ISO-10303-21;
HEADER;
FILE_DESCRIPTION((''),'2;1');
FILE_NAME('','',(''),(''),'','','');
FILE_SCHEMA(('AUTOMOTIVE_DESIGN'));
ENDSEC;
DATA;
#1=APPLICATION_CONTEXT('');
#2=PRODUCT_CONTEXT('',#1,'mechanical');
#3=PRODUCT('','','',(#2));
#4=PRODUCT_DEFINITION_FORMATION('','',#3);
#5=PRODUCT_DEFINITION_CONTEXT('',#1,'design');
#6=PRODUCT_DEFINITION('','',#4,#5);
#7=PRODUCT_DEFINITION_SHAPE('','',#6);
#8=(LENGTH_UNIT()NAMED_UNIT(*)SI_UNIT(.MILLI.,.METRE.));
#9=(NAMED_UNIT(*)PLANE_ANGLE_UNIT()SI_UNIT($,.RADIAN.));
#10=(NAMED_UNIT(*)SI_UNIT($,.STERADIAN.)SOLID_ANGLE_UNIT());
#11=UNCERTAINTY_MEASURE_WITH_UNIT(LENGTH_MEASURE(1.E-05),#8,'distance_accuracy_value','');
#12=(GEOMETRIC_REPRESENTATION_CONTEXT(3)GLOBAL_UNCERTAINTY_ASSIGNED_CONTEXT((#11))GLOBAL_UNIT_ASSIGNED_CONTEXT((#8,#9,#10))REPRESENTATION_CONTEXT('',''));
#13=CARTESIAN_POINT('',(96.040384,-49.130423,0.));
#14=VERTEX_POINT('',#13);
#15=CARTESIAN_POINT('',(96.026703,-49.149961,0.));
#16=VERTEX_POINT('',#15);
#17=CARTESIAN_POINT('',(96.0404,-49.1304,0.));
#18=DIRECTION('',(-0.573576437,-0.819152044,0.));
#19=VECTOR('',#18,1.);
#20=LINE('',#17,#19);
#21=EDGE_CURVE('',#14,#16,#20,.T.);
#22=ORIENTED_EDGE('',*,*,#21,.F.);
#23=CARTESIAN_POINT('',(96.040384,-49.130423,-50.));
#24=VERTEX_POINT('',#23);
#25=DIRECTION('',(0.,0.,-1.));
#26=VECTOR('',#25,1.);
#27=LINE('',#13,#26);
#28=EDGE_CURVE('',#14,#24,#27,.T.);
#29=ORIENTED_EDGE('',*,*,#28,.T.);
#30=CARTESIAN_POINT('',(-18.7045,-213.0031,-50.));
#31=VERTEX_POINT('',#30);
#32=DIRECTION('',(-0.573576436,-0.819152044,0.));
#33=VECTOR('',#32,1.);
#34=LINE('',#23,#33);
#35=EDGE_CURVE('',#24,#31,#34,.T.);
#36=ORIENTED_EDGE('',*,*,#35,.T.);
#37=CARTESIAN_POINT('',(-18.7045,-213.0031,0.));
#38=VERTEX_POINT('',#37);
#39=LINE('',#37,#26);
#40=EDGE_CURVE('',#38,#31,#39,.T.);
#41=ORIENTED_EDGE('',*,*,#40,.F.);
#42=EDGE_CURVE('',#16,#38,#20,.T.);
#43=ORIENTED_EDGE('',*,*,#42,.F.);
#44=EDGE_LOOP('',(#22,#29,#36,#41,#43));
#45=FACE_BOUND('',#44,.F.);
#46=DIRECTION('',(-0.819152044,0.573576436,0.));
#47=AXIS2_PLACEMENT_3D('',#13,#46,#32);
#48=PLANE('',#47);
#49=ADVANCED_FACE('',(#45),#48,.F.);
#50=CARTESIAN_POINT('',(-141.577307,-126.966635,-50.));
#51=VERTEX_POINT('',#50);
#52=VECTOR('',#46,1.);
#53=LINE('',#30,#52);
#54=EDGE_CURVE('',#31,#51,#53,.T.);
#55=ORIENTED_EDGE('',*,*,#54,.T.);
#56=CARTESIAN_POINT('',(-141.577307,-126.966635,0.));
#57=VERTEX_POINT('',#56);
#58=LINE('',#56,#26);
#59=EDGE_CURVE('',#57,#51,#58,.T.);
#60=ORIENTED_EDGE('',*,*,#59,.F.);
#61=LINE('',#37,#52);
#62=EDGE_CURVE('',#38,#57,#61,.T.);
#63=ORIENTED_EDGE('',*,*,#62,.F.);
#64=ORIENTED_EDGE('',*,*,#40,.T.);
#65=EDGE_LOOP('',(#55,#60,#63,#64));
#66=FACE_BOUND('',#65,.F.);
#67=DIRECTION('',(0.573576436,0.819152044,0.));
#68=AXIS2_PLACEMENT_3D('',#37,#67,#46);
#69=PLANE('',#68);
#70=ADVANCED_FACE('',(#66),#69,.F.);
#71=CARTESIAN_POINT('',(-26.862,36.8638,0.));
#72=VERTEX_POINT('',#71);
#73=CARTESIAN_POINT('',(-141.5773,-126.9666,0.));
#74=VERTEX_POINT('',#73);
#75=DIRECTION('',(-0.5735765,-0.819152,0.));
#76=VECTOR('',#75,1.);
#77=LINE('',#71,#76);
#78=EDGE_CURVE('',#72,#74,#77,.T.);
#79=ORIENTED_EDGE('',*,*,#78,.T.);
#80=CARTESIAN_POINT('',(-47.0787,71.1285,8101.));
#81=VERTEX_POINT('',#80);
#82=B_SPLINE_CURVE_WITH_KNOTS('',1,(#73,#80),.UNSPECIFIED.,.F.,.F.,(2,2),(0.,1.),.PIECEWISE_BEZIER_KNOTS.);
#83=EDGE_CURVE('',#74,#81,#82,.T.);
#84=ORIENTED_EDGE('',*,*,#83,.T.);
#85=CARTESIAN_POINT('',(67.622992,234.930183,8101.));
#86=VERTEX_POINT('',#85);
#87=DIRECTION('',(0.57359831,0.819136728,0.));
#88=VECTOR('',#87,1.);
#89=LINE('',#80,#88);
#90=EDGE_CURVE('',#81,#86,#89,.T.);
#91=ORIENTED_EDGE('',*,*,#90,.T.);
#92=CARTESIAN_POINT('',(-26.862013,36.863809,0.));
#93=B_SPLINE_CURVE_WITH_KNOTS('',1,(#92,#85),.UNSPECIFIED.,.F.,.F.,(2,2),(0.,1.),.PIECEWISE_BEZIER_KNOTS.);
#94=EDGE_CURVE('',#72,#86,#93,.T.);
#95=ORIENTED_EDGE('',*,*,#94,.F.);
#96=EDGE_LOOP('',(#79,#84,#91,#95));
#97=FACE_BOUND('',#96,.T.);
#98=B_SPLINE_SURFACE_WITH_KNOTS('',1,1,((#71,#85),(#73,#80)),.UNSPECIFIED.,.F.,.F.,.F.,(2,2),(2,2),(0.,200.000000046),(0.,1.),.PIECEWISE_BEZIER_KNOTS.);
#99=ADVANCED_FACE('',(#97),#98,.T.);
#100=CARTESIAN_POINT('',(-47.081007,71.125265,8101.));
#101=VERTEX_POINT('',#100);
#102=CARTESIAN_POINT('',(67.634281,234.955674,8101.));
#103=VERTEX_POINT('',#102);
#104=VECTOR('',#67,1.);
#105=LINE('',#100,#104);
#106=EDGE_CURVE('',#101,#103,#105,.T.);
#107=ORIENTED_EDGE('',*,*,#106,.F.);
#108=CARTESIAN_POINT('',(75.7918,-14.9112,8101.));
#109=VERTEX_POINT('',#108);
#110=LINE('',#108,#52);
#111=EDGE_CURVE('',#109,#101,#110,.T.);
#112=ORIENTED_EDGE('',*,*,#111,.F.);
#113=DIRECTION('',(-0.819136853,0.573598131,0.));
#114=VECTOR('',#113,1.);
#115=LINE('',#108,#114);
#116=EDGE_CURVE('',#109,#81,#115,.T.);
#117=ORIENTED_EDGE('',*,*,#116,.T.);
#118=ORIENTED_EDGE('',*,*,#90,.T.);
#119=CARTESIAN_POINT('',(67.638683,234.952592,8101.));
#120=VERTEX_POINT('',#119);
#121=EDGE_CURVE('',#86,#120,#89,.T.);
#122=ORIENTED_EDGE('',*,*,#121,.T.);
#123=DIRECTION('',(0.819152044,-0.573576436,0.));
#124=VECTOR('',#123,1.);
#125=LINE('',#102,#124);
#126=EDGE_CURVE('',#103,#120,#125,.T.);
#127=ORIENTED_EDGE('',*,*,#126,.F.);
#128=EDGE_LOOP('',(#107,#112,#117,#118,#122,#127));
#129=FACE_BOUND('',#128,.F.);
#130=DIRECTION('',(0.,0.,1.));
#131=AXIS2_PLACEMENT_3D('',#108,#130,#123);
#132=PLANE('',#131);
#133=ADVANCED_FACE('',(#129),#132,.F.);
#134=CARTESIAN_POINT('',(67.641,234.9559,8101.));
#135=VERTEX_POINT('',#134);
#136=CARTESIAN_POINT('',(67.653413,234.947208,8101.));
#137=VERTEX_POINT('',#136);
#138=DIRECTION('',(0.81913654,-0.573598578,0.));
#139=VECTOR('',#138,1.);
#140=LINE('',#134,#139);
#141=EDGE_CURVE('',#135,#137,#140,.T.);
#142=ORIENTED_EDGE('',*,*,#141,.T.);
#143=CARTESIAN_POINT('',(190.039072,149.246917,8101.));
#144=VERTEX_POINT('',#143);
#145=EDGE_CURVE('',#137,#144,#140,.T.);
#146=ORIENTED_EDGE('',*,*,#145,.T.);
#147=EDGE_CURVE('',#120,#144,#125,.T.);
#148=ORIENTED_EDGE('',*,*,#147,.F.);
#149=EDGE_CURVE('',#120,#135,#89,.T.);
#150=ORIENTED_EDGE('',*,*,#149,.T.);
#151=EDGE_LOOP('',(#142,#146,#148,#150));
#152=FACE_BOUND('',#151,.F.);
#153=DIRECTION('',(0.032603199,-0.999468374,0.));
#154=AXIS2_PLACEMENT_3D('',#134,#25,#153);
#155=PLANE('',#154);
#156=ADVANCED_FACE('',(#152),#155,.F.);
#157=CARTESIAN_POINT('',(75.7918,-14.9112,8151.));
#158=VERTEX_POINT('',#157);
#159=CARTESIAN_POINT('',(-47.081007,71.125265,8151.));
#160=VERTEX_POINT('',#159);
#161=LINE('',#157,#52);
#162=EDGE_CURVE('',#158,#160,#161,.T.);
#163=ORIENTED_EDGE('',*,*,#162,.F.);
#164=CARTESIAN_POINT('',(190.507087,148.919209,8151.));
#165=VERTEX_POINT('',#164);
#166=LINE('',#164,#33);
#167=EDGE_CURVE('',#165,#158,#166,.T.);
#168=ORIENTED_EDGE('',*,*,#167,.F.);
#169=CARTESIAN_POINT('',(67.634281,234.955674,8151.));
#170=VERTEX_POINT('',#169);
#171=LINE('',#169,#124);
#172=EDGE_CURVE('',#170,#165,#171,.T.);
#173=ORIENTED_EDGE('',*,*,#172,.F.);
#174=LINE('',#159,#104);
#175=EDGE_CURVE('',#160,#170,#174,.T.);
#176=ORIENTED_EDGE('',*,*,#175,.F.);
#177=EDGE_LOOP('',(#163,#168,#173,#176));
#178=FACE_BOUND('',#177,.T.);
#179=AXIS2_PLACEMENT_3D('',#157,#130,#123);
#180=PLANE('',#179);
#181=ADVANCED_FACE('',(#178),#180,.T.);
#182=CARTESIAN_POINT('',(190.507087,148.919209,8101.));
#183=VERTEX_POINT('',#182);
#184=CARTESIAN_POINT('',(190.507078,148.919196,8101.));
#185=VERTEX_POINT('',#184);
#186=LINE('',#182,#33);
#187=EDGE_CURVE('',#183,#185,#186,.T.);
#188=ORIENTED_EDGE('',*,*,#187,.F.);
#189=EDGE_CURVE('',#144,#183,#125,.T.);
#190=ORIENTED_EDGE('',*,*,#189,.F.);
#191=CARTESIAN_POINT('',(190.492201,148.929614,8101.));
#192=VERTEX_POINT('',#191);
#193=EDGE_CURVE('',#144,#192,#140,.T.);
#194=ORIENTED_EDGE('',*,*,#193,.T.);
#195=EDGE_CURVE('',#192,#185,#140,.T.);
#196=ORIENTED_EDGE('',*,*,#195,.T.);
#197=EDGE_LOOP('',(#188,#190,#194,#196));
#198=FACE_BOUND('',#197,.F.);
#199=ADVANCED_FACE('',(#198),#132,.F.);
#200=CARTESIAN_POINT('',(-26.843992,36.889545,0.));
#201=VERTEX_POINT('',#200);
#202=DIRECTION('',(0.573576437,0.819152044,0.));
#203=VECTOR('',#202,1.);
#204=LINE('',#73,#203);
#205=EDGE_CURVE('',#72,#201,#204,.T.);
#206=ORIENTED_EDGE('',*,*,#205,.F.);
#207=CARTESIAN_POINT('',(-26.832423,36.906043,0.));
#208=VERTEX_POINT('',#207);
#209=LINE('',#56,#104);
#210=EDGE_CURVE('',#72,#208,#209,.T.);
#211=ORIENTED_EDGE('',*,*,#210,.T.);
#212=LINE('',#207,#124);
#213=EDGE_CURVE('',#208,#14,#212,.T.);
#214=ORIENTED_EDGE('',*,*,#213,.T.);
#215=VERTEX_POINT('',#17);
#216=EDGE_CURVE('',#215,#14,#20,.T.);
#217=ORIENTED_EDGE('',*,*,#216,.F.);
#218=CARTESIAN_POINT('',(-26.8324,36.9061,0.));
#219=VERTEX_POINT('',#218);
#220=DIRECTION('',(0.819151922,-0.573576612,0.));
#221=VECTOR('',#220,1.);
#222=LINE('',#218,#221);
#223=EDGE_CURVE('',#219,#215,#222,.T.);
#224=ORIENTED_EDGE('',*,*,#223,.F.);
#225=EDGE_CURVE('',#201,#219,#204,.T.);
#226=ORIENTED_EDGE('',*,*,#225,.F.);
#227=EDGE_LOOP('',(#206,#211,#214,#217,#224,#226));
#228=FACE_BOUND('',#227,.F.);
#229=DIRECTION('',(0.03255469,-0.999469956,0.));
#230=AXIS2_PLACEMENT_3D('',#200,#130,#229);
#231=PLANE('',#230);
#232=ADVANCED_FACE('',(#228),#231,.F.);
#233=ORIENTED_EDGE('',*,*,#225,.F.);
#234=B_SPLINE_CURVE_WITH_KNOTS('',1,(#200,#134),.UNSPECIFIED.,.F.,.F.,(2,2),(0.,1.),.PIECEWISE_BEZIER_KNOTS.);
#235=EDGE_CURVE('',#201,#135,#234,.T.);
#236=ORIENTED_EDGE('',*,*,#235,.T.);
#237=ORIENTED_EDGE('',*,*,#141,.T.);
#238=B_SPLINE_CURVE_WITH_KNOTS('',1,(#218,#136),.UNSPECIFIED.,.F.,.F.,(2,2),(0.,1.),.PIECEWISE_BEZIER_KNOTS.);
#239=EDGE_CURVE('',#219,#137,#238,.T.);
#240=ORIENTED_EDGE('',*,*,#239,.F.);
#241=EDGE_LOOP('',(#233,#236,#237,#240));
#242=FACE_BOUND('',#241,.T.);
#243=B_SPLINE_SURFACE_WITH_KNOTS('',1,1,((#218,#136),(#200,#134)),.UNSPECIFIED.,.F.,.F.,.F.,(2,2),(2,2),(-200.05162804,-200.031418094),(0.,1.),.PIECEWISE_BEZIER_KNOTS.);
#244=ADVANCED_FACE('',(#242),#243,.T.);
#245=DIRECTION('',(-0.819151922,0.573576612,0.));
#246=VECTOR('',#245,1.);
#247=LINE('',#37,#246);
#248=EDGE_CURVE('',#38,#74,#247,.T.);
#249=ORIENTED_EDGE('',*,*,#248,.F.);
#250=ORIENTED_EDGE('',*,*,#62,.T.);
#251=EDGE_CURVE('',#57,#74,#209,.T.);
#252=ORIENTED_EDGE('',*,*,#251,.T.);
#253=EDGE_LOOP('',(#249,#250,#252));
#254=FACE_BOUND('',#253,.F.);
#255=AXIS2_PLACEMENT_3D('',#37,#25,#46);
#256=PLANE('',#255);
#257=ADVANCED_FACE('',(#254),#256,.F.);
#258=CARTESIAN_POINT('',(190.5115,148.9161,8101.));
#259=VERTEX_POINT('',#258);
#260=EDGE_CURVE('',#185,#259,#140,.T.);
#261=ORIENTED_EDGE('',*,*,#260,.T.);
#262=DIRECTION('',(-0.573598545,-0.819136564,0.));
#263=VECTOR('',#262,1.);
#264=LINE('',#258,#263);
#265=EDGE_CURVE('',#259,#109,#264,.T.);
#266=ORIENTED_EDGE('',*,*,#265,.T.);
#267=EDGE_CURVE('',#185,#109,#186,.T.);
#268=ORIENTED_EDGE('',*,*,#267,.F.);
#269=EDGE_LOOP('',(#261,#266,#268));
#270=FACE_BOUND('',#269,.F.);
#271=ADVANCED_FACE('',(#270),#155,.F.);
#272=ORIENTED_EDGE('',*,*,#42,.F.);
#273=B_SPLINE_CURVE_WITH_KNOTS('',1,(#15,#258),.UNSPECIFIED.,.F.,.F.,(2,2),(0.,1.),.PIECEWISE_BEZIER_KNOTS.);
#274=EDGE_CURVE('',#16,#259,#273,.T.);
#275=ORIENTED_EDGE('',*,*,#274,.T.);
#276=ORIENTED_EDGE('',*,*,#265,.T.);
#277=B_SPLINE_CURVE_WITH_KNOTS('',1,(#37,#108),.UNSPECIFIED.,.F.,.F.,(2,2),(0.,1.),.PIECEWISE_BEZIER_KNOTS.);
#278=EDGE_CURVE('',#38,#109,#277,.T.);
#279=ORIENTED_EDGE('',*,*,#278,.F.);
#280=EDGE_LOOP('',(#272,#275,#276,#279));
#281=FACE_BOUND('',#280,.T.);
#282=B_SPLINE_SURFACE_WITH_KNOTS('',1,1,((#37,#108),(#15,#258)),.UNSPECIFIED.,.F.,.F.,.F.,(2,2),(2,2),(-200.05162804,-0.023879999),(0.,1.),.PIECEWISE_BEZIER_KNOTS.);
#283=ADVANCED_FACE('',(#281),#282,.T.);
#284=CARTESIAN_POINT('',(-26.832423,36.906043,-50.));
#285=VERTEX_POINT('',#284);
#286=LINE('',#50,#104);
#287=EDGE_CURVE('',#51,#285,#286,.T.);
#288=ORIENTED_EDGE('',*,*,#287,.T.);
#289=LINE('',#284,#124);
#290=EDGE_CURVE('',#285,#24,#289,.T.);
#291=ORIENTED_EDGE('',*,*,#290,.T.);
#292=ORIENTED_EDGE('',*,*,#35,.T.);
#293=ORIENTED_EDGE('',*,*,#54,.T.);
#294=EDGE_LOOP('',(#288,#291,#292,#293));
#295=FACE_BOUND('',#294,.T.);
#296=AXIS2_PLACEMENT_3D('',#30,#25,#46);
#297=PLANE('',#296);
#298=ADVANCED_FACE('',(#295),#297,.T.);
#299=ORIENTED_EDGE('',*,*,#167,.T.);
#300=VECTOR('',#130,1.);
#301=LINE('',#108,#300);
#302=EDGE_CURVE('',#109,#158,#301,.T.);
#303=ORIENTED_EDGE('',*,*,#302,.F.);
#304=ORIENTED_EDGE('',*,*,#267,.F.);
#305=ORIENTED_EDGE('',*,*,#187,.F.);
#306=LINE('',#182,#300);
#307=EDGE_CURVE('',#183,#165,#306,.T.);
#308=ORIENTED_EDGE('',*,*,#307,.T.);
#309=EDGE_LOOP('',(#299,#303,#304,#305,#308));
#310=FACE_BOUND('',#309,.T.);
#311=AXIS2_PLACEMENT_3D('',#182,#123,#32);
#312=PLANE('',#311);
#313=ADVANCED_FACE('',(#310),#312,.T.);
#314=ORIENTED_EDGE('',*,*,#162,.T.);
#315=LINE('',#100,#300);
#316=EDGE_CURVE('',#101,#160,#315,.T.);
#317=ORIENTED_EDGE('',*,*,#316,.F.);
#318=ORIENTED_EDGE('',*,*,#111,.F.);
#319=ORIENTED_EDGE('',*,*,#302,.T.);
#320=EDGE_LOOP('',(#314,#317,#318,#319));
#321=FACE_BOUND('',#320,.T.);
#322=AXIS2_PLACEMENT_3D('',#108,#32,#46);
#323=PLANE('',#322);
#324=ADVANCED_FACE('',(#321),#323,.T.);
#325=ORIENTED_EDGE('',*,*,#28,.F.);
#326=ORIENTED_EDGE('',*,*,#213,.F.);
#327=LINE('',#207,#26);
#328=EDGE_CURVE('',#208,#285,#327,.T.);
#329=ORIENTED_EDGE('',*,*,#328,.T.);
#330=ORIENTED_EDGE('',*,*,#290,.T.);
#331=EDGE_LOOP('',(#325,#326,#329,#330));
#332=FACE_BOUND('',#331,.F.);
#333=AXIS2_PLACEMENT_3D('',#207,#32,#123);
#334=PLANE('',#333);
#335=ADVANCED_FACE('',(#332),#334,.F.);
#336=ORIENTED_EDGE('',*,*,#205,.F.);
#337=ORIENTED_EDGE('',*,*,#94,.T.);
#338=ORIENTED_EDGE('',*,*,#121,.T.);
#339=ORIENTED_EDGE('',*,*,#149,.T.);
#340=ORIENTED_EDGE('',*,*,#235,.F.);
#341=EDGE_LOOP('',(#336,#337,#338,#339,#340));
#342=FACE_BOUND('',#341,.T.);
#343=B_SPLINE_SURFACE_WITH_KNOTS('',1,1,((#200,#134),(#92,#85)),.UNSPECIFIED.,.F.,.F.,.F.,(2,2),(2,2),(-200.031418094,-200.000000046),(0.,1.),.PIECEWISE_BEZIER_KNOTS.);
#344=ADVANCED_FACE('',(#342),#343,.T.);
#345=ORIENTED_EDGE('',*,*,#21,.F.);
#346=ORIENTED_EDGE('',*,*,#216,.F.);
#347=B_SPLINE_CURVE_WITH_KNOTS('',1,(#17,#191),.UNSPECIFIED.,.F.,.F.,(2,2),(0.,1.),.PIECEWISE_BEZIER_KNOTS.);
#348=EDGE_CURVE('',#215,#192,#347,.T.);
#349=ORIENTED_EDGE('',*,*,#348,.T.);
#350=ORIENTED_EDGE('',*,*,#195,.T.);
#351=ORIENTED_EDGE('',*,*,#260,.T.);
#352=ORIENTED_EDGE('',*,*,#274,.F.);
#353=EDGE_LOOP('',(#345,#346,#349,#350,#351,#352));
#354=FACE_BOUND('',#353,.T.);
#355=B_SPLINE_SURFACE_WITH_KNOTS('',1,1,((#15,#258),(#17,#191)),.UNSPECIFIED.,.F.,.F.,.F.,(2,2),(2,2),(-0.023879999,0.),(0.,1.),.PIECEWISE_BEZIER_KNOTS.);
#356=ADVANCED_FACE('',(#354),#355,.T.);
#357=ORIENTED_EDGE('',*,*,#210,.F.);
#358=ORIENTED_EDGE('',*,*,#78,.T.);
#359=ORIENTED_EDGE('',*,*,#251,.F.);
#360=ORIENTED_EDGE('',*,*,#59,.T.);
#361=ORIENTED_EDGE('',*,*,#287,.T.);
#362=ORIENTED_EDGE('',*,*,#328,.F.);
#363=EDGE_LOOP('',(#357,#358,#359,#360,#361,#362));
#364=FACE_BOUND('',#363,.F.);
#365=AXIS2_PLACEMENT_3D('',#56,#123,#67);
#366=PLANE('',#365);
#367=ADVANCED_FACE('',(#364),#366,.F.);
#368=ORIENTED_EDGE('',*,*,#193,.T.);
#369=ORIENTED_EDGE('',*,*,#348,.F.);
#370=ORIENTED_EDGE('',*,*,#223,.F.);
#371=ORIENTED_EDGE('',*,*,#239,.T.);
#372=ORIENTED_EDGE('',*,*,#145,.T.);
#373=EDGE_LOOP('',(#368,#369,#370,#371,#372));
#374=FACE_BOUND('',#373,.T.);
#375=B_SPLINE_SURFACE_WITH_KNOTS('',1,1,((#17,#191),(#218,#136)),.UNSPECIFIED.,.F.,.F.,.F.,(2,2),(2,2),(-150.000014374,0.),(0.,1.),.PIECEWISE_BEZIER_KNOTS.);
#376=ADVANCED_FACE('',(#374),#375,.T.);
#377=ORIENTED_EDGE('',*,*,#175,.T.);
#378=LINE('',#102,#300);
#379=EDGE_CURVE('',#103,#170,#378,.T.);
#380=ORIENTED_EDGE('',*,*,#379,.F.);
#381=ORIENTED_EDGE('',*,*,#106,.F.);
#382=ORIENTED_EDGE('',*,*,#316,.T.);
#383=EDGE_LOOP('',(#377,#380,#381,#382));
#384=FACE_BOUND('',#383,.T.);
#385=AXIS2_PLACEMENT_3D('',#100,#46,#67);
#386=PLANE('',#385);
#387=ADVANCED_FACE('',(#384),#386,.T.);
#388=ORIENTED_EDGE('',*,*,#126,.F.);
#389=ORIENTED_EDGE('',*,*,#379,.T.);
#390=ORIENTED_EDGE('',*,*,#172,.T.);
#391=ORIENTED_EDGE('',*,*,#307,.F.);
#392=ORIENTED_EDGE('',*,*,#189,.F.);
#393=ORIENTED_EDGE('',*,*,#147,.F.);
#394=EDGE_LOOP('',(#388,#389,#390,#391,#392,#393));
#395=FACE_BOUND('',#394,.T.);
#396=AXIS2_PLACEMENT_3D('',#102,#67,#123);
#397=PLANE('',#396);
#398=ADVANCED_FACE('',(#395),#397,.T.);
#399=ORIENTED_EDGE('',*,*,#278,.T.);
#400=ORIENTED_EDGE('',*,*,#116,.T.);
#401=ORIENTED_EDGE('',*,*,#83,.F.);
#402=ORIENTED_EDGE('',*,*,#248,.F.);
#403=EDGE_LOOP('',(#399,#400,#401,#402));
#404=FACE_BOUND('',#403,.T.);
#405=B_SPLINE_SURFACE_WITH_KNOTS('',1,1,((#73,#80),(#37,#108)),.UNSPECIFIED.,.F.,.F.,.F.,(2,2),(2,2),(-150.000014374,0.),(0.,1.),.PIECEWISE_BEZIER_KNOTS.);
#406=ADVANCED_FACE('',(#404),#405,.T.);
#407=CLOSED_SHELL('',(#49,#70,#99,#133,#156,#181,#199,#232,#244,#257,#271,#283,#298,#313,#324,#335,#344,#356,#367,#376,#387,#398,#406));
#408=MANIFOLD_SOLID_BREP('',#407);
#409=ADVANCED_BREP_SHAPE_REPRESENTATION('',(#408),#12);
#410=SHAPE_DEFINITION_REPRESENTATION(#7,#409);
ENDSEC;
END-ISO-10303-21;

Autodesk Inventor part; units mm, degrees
ref_plane "YZ Plane" through (0, 0, 0) normal (1, 0, 0) x (0, 1, 0)
ref_plane "XZ Plane" through (0, 0, 0) normal (0, 1, 0) x (-1, 0, 0)
sketch "Sketch1" plane through (0, 0, 0) normal (0, 0, 1) x (1, 0, 0)
  line L0 (-26.862, 36.8638) -> (-141.5773, -126.9666)
  line L1 (96.5672, -49.5284) -> (-26.3079, 36.5048)
  line L2 (-141.5773, -126.9666) -> (-18.7045, -213.0031) construction
  line L3 (-18.1437, -213.3618) -> (96.5672, -49.5284)
  line L4 (96.0404, -49.1304) -> (-18.7045, -213.0031)
  line L5 (-18.7045, -213.0031) -> (-141.5773, -126.9666)
  line L6 (-141.5773, -126.9666) -> (-26.8324, 36.9061)
  line L7 (-26.8324, 36.9061) -> (96.0404, -49.1304)
  line L8 (96.0404, -49.1304) -> (-141.5773, -126.9666) construction
  line L9 (-18.7045, -213.0031) -> (-26.8324, 36.9061) construction
  point P0 (0, 0)
  point P1 (-22.7685, -88.0485)
ref_plane "Work Plane2" through (0, 0, 8101) normal (0, 0, 1) x (1, 0, 0)
ref_plane "Work Plane1" through (0, 0, 0) normal (0, 0, 1) x (1, 0, 0)
sketch "Sketch2" plane through (0, 0, 8101) normal (0, 0, 1) x (1, 0, 0)
  line L0 (190.5115, 148.9161) -> (67.641, 234.9559) construction
  line L1 (67.641, 234.9559) -> (-47.0787, 71.1285) construction
  line L2 (75.7918, -14.9112) -> (190.5115, 148.9161) construction
  line L3 (-47.0787, 71.1285) -> (75.7918, -14.9112) construction
  line L4 (190.5115, 148.9161) -> (75.7918, -14.9112)
  line L5 (75.7918, -14.9112) -> (-47.0787, 71.1285)
  line L6 (-47.0787, 71.1285) -> (67.641, 234.9559)
  line L7 (67.641, 234.9559) -> (190.5115, 148.9161)
  line L8 (190.5115, 148.9161) -> (-47.0787, 71.1285) construction
  line L9 (75.7918, -14.9112) -> (67.641, 234.9559) construction
  point P0 (0, 0)
  point P1 (71.7164, 110.0223)
loft "Loft1" add profiles "Sketch1", "Sketch2"
sketch "Sketch3" plane through (-18.7045, -213.0031, 0) normal (0, 0, -1) x (-0.8192, 0.5736, 0)
  line L0 (0, 200.0516) -> (0, 0) projected
  line L1 (0, 0) -> (150, 0) projected
  line L2 (150, 0) -> (150, 200.0516) projected
  line L3 (150, 200.0516) -> (0, 200.0516) projected
  point P0 (106.8517, 185.2104)
sketch "Sketch4" plane through (75.7918, -14.9112, 8101) normal (0, 0, 1) x (0.8191, -0.5736, 0)
  line L0 (0, 200) -> (0, 0) construction
  line L1 (-150, 200) -> (0, 200) construction
  line L2 (-150, 0) -> (-150, 200) construction
  line L3 (0, 0) -> (-150, 0) construction
  point P0 (-70.6369, -31.2597)
extrude "Extrusion1" add sketch "Sketch3" along normal blind 50
sketch "Sketch5" plane through (75.7918, -14.9112, 8101) normal (0, 0, 1) x (0.8191, -0.5736, 0)
  line L0 (-150, 0) -> (-150, 200) projected
  line L1 (0, 0) -> (-150, 0) projected
  line L2 (-150, 200) -> (0, 200)
  line L3 (0, 200) -> (0, 0)
  line L4 (0, 0) -> (-150, 0)
  line L5 (-150, 0) -> (-150, 200)
  point P0 (-70.6369, -31.2597)
extrude "Extrusion2" add sketch "Sketch5" along normal blind 50
properties part number "support_beam_segment_0106" material "Wood (Maple)"
